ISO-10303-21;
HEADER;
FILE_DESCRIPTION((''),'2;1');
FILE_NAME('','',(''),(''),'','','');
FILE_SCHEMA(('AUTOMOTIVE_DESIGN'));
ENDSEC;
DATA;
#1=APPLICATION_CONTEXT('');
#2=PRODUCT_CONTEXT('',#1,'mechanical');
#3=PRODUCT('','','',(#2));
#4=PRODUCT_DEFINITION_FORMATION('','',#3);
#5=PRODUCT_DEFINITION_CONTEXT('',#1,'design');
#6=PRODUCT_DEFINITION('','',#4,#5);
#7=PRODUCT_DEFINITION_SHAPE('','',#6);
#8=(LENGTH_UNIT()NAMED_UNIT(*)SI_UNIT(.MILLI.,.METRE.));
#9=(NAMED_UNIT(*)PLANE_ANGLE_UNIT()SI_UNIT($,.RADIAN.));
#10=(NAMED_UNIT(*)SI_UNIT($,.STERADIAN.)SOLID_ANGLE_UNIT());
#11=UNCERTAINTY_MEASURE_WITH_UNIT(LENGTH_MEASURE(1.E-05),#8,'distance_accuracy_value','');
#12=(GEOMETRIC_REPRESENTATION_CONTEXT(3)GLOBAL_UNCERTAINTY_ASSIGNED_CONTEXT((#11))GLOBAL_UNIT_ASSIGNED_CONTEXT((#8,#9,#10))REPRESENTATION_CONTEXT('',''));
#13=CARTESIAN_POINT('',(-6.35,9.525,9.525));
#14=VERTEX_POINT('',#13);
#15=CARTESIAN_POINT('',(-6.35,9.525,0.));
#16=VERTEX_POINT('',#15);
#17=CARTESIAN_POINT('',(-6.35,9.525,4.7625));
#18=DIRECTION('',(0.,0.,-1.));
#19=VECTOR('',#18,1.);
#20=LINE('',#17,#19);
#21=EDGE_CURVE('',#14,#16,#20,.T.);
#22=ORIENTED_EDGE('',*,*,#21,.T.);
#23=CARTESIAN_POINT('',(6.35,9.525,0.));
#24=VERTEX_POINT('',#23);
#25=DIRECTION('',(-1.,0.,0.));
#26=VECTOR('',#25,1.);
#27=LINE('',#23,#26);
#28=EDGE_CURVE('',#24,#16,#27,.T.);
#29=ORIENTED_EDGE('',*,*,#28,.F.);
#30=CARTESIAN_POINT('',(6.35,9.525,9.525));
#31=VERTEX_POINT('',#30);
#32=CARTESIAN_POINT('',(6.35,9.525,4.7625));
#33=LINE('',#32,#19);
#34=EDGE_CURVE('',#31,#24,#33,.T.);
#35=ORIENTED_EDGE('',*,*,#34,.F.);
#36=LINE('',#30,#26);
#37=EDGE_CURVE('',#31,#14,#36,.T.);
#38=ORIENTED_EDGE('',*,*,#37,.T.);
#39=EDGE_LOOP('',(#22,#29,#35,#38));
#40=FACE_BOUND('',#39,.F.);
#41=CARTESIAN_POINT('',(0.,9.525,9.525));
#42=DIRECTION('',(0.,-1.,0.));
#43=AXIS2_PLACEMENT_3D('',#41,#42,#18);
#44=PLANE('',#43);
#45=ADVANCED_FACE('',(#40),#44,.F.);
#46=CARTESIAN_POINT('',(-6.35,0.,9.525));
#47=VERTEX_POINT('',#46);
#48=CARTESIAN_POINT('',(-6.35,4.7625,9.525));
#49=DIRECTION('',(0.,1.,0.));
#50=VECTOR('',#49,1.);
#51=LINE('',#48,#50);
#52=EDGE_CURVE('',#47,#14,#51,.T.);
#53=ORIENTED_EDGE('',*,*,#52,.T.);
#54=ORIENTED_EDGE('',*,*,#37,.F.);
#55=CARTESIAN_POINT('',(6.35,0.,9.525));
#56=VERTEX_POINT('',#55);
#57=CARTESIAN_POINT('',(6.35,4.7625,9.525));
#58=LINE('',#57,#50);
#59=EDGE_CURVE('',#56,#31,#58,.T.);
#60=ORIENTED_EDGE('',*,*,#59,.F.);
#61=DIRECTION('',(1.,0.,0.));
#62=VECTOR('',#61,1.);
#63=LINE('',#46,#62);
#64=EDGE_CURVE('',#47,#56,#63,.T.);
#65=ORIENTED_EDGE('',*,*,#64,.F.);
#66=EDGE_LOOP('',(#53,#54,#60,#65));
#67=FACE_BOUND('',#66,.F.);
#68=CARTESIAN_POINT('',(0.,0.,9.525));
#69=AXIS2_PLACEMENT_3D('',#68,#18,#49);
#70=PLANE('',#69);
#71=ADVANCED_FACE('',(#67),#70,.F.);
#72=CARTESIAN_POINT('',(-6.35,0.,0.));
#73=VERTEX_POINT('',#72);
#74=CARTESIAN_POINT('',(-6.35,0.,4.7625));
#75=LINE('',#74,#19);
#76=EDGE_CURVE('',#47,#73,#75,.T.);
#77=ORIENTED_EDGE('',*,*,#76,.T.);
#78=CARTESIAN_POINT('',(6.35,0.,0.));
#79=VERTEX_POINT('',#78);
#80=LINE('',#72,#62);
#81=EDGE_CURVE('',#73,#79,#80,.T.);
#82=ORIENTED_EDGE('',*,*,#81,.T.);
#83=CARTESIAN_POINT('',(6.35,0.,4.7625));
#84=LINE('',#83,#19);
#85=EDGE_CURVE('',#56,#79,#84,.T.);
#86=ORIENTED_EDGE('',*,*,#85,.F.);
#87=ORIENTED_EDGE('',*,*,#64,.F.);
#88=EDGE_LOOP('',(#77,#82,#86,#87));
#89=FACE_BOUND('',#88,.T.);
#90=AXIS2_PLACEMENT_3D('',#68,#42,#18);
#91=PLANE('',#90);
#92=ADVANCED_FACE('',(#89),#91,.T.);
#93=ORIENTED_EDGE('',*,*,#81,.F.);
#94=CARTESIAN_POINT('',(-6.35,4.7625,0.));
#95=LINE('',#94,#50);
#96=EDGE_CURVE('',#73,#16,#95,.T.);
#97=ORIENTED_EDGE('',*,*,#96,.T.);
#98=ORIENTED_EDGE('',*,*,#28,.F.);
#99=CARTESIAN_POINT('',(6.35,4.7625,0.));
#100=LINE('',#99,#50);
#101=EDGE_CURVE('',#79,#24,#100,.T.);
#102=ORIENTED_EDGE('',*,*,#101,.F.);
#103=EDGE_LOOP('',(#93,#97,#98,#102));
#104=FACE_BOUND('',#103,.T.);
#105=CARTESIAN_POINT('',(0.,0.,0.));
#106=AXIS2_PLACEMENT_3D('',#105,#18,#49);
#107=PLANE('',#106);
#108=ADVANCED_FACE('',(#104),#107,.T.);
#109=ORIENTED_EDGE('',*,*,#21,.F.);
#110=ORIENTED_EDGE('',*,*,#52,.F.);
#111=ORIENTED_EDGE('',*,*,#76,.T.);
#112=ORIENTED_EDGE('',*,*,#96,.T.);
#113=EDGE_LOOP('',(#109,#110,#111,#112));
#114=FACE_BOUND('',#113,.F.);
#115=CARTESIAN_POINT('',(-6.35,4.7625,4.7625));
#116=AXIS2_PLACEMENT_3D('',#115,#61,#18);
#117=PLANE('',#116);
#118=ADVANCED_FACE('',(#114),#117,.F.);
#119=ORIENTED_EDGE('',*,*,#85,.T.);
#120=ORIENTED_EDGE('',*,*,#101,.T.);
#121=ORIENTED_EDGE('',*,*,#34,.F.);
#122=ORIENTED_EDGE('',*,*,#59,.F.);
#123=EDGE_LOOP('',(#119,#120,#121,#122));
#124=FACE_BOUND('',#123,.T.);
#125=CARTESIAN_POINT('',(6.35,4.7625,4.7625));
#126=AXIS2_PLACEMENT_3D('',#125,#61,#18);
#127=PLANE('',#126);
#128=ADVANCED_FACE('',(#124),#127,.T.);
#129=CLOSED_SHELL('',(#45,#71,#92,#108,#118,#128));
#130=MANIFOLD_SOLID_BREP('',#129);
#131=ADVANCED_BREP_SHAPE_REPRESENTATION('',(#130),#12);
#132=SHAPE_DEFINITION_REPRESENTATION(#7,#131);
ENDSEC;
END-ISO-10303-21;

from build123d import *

# Parameters (mm, degrees)
SKETCH1_W           = 9.525
SKETCH1_H           = 9.525
BOSS_EXTRUDE1_DEPTH = 6.35


with BuildPart() as part:
    # Sketch1 → Boss-Extrude1 (new body, symmetric)
    with BuildSketch(Plane(origin=(0, 0, 0), x_dir=(0, 0, -1), z_dir=(1, 0, 0))):
        with Locations((-4.7625, 4.7625)):
            Rectangle(SKETCH1_W, SKETCH1_H)
    extrude(amount=BOSS_EXTRUDE1_DEPTH, both=True)


solid = part.part
